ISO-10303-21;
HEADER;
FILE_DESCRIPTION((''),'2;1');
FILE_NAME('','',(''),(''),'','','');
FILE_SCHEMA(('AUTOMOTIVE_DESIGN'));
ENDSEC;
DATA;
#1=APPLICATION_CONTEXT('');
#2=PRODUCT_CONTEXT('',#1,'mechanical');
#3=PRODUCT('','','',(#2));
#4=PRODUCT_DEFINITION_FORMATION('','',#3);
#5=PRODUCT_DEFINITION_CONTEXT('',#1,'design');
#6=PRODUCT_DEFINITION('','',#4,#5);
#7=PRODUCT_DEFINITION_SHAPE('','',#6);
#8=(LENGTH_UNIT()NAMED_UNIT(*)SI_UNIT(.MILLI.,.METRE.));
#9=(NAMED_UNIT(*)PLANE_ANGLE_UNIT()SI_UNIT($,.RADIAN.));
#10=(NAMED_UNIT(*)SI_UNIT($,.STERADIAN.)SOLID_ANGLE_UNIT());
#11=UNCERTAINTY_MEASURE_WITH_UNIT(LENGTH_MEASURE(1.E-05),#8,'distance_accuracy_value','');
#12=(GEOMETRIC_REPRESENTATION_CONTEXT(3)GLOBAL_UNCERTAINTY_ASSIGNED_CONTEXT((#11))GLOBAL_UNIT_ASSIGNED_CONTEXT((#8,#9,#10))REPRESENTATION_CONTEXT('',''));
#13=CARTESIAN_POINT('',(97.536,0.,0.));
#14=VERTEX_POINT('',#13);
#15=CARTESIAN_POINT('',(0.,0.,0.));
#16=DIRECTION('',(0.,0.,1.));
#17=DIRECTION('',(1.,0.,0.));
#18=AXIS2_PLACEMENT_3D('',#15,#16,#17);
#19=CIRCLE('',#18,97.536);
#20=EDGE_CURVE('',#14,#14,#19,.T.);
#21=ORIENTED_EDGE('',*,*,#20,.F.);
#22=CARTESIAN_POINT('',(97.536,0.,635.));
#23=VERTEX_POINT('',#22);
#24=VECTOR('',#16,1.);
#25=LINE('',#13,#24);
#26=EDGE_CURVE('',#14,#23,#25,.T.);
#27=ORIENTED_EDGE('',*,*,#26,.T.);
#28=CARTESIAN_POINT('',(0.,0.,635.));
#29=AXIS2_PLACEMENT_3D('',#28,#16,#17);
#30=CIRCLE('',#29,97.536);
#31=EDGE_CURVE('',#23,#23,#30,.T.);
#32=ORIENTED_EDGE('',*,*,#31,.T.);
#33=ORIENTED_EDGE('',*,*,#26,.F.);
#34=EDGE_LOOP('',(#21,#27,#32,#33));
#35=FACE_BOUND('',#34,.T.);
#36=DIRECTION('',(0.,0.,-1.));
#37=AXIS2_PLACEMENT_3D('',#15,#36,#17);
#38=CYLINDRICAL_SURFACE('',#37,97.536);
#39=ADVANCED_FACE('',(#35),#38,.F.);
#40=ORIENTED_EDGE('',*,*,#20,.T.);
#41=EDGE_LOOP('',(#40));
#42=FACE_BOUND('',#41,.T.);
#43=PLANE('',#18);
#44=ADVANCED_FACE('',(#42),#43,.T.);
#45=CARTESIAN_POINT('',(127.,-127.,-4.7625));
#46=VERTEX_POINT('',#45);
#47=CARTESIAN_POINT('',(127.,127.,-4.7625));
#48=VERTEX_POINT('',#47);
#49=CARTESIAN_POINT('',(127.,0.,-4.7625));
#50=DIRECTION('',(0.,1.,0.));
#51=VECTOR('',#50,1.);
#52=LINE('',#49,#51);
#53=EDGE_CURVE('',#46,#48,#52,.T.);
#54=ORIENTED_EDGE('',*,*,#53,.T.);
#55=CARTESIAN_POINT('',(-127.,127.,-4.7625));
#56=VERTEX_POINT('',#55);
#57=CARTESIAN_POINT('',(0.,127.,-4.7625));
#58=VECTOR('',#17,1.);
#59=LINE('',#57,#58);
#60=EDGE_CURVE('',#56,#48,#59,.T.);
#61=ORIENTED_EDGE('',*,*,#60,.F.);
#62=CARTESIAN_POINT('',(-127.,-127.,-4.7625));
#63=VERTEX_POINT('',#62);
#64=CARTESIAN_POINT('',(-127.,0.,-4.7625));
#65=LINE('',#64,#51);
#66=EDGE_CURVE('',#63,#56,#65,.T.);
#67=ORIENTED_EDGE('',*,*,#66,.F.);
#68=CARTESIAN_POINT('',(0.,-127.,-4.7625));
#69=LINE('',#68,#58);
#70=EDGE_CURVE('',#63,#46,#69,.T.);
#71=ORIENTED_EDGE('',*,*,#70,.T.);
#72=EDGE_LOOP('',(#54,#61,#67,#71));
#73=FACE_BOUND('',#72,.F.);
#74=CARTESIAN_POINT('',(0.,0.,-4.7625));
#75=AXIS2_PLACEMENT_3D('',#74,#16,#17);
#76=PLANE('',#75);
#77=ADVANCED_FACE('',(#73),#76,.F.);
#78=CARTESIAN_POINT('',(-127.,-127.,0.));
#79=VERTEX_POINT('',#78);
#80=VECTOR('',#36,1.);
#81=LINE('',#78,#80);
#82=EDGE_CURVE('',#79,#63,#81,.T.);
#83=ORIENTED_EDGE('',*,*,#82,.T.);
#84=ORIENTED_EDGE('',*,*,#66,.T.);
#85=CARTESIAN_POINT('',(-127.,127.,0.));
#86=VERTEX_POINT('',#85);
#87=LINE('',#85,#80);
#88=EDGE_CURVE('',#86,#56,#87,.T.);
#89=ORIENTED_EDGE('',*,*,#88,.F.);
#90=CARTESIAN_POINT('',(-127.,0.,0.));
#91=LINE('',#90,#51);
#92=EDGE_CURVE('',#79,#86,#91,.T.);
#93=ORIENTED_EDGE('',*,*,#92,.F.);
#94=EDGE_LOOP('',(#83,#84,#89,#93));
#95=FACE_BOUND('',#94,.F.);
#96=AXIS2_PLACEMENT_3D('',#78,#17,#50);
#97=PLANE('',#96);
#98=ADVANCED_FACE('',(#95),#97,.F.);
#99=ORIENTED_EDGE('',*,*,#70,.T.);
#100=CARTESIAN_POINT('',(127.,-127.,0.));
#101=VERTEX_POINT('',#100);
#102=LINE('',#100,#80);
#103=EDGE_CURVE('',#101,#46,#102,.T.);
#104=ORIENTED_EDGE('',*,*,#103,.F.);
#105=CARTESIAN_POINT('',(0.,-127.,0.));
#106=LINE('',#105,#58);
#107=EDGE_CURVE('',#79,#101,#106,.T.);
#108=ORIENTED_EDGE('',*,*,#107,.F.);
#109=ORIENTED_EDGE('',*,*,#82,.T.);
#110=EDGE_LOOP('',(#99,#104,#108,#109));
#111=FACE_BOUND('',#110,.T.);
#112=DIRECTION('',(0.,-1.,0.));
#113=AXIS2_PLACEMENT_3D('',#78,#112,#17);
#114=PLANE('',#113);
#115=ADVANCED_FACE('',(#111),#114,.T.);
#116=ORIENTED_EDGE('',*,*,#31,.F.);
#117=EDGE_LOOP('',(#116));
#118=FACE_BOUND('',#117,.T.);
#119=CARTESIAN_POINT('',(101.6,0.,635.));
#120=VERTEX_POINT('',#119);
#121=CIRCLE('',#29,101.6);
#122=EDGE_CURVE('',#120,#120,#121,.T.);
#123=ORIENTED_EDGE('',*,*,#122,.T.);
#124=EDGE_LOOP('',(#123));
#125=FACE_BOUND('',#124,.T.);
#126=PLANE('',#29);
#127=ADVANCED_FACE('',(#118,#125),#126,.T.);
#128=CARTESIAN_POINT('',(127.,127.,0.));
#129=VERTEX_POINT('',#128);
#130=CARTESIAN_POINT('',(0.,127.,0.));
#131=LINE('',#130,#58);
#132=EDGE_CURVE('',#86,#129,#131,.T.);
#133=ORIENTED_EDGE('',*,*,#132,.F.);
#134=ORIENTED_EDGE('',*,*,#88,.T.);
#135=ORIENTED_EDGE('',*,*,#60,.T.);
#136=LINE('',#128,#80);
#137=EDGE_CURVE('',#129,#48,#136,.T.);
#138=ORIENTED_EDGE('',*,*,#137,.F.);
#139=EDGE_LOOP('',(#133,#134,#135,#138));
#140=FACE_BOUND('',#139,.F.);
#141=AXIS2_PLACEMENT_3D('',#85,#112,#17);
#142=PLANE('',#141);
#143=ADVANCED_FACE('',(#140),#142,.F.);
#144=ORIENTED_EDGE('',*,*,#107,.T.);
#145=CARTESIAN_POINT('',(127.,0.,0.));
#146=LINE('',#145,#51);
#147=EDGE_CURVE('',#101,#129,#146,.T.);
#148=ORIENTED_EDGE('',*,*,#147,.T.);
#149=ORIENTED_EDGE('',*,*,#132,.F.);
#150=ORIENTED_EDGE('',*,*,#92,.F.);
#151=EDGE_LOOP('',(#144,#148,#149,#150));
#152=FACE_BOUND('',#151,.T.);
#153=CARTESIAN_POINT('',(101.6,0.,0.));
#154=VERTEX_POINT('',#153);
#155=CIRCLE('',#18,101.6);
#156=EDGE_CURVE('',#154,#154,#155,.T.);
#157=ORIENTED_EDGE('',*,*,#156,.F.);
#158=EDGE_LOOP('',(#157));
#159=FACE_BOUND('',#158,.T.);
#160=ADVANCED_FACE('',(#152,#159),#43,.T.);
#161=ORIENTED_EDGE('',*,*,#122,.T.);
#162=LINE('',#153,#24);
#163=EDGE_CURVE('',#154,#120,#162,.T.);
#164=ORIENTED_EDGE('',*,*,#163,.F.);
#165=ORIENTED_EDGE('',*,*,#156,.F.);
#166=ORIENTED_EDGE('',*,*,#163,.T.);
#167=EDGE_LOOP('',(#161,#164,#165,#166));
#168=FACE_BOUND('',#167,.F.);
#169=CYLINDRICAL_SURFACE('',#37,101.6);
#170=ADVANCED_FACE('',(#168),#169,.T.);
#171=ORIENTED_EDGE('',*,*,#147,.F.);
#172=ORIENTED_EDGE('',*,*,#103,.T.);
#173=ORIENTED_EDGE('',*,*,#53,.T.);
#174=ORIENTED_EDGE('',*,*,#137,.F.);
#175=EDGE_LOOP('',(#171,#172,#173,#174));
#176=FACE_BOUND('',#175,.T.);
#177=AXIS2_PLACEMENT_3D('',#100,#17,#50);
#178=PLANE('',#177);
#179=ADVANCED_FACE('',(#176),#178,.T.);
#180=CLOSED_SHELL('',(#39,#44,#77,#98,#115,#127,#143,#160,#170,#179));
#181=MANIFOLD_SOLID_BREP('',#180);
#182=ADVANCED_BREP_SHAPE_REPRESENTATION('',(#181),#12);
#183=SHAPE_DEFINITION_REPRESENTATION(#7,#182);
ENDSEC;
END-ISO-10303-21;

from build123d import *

# Parameters (mm, degrees)
F0_R     = 101.6
F0_R_2   = 97.536
F1_DEPTH = 635
F2_W     = 254
F2_H     = 254
F3_DEPTH = 4.7625


with BuildPart() as f1:
    # F0 (on Top) → F1 (new body)
    with BuildSketch(Plane.XY):
        Circle(F0_R)
        Circle(F0_R_2, mode=Mode.SUBTRACT)
    extrude(amount=F1_DEPTH)

    # F2 (on Top) → F3 (join)
    with BuildSketch(Plane.XY):
        Rectangle(F2_W, F2_H)
    extrude(amount=-F3_DEPTH)


solid = f1.part
